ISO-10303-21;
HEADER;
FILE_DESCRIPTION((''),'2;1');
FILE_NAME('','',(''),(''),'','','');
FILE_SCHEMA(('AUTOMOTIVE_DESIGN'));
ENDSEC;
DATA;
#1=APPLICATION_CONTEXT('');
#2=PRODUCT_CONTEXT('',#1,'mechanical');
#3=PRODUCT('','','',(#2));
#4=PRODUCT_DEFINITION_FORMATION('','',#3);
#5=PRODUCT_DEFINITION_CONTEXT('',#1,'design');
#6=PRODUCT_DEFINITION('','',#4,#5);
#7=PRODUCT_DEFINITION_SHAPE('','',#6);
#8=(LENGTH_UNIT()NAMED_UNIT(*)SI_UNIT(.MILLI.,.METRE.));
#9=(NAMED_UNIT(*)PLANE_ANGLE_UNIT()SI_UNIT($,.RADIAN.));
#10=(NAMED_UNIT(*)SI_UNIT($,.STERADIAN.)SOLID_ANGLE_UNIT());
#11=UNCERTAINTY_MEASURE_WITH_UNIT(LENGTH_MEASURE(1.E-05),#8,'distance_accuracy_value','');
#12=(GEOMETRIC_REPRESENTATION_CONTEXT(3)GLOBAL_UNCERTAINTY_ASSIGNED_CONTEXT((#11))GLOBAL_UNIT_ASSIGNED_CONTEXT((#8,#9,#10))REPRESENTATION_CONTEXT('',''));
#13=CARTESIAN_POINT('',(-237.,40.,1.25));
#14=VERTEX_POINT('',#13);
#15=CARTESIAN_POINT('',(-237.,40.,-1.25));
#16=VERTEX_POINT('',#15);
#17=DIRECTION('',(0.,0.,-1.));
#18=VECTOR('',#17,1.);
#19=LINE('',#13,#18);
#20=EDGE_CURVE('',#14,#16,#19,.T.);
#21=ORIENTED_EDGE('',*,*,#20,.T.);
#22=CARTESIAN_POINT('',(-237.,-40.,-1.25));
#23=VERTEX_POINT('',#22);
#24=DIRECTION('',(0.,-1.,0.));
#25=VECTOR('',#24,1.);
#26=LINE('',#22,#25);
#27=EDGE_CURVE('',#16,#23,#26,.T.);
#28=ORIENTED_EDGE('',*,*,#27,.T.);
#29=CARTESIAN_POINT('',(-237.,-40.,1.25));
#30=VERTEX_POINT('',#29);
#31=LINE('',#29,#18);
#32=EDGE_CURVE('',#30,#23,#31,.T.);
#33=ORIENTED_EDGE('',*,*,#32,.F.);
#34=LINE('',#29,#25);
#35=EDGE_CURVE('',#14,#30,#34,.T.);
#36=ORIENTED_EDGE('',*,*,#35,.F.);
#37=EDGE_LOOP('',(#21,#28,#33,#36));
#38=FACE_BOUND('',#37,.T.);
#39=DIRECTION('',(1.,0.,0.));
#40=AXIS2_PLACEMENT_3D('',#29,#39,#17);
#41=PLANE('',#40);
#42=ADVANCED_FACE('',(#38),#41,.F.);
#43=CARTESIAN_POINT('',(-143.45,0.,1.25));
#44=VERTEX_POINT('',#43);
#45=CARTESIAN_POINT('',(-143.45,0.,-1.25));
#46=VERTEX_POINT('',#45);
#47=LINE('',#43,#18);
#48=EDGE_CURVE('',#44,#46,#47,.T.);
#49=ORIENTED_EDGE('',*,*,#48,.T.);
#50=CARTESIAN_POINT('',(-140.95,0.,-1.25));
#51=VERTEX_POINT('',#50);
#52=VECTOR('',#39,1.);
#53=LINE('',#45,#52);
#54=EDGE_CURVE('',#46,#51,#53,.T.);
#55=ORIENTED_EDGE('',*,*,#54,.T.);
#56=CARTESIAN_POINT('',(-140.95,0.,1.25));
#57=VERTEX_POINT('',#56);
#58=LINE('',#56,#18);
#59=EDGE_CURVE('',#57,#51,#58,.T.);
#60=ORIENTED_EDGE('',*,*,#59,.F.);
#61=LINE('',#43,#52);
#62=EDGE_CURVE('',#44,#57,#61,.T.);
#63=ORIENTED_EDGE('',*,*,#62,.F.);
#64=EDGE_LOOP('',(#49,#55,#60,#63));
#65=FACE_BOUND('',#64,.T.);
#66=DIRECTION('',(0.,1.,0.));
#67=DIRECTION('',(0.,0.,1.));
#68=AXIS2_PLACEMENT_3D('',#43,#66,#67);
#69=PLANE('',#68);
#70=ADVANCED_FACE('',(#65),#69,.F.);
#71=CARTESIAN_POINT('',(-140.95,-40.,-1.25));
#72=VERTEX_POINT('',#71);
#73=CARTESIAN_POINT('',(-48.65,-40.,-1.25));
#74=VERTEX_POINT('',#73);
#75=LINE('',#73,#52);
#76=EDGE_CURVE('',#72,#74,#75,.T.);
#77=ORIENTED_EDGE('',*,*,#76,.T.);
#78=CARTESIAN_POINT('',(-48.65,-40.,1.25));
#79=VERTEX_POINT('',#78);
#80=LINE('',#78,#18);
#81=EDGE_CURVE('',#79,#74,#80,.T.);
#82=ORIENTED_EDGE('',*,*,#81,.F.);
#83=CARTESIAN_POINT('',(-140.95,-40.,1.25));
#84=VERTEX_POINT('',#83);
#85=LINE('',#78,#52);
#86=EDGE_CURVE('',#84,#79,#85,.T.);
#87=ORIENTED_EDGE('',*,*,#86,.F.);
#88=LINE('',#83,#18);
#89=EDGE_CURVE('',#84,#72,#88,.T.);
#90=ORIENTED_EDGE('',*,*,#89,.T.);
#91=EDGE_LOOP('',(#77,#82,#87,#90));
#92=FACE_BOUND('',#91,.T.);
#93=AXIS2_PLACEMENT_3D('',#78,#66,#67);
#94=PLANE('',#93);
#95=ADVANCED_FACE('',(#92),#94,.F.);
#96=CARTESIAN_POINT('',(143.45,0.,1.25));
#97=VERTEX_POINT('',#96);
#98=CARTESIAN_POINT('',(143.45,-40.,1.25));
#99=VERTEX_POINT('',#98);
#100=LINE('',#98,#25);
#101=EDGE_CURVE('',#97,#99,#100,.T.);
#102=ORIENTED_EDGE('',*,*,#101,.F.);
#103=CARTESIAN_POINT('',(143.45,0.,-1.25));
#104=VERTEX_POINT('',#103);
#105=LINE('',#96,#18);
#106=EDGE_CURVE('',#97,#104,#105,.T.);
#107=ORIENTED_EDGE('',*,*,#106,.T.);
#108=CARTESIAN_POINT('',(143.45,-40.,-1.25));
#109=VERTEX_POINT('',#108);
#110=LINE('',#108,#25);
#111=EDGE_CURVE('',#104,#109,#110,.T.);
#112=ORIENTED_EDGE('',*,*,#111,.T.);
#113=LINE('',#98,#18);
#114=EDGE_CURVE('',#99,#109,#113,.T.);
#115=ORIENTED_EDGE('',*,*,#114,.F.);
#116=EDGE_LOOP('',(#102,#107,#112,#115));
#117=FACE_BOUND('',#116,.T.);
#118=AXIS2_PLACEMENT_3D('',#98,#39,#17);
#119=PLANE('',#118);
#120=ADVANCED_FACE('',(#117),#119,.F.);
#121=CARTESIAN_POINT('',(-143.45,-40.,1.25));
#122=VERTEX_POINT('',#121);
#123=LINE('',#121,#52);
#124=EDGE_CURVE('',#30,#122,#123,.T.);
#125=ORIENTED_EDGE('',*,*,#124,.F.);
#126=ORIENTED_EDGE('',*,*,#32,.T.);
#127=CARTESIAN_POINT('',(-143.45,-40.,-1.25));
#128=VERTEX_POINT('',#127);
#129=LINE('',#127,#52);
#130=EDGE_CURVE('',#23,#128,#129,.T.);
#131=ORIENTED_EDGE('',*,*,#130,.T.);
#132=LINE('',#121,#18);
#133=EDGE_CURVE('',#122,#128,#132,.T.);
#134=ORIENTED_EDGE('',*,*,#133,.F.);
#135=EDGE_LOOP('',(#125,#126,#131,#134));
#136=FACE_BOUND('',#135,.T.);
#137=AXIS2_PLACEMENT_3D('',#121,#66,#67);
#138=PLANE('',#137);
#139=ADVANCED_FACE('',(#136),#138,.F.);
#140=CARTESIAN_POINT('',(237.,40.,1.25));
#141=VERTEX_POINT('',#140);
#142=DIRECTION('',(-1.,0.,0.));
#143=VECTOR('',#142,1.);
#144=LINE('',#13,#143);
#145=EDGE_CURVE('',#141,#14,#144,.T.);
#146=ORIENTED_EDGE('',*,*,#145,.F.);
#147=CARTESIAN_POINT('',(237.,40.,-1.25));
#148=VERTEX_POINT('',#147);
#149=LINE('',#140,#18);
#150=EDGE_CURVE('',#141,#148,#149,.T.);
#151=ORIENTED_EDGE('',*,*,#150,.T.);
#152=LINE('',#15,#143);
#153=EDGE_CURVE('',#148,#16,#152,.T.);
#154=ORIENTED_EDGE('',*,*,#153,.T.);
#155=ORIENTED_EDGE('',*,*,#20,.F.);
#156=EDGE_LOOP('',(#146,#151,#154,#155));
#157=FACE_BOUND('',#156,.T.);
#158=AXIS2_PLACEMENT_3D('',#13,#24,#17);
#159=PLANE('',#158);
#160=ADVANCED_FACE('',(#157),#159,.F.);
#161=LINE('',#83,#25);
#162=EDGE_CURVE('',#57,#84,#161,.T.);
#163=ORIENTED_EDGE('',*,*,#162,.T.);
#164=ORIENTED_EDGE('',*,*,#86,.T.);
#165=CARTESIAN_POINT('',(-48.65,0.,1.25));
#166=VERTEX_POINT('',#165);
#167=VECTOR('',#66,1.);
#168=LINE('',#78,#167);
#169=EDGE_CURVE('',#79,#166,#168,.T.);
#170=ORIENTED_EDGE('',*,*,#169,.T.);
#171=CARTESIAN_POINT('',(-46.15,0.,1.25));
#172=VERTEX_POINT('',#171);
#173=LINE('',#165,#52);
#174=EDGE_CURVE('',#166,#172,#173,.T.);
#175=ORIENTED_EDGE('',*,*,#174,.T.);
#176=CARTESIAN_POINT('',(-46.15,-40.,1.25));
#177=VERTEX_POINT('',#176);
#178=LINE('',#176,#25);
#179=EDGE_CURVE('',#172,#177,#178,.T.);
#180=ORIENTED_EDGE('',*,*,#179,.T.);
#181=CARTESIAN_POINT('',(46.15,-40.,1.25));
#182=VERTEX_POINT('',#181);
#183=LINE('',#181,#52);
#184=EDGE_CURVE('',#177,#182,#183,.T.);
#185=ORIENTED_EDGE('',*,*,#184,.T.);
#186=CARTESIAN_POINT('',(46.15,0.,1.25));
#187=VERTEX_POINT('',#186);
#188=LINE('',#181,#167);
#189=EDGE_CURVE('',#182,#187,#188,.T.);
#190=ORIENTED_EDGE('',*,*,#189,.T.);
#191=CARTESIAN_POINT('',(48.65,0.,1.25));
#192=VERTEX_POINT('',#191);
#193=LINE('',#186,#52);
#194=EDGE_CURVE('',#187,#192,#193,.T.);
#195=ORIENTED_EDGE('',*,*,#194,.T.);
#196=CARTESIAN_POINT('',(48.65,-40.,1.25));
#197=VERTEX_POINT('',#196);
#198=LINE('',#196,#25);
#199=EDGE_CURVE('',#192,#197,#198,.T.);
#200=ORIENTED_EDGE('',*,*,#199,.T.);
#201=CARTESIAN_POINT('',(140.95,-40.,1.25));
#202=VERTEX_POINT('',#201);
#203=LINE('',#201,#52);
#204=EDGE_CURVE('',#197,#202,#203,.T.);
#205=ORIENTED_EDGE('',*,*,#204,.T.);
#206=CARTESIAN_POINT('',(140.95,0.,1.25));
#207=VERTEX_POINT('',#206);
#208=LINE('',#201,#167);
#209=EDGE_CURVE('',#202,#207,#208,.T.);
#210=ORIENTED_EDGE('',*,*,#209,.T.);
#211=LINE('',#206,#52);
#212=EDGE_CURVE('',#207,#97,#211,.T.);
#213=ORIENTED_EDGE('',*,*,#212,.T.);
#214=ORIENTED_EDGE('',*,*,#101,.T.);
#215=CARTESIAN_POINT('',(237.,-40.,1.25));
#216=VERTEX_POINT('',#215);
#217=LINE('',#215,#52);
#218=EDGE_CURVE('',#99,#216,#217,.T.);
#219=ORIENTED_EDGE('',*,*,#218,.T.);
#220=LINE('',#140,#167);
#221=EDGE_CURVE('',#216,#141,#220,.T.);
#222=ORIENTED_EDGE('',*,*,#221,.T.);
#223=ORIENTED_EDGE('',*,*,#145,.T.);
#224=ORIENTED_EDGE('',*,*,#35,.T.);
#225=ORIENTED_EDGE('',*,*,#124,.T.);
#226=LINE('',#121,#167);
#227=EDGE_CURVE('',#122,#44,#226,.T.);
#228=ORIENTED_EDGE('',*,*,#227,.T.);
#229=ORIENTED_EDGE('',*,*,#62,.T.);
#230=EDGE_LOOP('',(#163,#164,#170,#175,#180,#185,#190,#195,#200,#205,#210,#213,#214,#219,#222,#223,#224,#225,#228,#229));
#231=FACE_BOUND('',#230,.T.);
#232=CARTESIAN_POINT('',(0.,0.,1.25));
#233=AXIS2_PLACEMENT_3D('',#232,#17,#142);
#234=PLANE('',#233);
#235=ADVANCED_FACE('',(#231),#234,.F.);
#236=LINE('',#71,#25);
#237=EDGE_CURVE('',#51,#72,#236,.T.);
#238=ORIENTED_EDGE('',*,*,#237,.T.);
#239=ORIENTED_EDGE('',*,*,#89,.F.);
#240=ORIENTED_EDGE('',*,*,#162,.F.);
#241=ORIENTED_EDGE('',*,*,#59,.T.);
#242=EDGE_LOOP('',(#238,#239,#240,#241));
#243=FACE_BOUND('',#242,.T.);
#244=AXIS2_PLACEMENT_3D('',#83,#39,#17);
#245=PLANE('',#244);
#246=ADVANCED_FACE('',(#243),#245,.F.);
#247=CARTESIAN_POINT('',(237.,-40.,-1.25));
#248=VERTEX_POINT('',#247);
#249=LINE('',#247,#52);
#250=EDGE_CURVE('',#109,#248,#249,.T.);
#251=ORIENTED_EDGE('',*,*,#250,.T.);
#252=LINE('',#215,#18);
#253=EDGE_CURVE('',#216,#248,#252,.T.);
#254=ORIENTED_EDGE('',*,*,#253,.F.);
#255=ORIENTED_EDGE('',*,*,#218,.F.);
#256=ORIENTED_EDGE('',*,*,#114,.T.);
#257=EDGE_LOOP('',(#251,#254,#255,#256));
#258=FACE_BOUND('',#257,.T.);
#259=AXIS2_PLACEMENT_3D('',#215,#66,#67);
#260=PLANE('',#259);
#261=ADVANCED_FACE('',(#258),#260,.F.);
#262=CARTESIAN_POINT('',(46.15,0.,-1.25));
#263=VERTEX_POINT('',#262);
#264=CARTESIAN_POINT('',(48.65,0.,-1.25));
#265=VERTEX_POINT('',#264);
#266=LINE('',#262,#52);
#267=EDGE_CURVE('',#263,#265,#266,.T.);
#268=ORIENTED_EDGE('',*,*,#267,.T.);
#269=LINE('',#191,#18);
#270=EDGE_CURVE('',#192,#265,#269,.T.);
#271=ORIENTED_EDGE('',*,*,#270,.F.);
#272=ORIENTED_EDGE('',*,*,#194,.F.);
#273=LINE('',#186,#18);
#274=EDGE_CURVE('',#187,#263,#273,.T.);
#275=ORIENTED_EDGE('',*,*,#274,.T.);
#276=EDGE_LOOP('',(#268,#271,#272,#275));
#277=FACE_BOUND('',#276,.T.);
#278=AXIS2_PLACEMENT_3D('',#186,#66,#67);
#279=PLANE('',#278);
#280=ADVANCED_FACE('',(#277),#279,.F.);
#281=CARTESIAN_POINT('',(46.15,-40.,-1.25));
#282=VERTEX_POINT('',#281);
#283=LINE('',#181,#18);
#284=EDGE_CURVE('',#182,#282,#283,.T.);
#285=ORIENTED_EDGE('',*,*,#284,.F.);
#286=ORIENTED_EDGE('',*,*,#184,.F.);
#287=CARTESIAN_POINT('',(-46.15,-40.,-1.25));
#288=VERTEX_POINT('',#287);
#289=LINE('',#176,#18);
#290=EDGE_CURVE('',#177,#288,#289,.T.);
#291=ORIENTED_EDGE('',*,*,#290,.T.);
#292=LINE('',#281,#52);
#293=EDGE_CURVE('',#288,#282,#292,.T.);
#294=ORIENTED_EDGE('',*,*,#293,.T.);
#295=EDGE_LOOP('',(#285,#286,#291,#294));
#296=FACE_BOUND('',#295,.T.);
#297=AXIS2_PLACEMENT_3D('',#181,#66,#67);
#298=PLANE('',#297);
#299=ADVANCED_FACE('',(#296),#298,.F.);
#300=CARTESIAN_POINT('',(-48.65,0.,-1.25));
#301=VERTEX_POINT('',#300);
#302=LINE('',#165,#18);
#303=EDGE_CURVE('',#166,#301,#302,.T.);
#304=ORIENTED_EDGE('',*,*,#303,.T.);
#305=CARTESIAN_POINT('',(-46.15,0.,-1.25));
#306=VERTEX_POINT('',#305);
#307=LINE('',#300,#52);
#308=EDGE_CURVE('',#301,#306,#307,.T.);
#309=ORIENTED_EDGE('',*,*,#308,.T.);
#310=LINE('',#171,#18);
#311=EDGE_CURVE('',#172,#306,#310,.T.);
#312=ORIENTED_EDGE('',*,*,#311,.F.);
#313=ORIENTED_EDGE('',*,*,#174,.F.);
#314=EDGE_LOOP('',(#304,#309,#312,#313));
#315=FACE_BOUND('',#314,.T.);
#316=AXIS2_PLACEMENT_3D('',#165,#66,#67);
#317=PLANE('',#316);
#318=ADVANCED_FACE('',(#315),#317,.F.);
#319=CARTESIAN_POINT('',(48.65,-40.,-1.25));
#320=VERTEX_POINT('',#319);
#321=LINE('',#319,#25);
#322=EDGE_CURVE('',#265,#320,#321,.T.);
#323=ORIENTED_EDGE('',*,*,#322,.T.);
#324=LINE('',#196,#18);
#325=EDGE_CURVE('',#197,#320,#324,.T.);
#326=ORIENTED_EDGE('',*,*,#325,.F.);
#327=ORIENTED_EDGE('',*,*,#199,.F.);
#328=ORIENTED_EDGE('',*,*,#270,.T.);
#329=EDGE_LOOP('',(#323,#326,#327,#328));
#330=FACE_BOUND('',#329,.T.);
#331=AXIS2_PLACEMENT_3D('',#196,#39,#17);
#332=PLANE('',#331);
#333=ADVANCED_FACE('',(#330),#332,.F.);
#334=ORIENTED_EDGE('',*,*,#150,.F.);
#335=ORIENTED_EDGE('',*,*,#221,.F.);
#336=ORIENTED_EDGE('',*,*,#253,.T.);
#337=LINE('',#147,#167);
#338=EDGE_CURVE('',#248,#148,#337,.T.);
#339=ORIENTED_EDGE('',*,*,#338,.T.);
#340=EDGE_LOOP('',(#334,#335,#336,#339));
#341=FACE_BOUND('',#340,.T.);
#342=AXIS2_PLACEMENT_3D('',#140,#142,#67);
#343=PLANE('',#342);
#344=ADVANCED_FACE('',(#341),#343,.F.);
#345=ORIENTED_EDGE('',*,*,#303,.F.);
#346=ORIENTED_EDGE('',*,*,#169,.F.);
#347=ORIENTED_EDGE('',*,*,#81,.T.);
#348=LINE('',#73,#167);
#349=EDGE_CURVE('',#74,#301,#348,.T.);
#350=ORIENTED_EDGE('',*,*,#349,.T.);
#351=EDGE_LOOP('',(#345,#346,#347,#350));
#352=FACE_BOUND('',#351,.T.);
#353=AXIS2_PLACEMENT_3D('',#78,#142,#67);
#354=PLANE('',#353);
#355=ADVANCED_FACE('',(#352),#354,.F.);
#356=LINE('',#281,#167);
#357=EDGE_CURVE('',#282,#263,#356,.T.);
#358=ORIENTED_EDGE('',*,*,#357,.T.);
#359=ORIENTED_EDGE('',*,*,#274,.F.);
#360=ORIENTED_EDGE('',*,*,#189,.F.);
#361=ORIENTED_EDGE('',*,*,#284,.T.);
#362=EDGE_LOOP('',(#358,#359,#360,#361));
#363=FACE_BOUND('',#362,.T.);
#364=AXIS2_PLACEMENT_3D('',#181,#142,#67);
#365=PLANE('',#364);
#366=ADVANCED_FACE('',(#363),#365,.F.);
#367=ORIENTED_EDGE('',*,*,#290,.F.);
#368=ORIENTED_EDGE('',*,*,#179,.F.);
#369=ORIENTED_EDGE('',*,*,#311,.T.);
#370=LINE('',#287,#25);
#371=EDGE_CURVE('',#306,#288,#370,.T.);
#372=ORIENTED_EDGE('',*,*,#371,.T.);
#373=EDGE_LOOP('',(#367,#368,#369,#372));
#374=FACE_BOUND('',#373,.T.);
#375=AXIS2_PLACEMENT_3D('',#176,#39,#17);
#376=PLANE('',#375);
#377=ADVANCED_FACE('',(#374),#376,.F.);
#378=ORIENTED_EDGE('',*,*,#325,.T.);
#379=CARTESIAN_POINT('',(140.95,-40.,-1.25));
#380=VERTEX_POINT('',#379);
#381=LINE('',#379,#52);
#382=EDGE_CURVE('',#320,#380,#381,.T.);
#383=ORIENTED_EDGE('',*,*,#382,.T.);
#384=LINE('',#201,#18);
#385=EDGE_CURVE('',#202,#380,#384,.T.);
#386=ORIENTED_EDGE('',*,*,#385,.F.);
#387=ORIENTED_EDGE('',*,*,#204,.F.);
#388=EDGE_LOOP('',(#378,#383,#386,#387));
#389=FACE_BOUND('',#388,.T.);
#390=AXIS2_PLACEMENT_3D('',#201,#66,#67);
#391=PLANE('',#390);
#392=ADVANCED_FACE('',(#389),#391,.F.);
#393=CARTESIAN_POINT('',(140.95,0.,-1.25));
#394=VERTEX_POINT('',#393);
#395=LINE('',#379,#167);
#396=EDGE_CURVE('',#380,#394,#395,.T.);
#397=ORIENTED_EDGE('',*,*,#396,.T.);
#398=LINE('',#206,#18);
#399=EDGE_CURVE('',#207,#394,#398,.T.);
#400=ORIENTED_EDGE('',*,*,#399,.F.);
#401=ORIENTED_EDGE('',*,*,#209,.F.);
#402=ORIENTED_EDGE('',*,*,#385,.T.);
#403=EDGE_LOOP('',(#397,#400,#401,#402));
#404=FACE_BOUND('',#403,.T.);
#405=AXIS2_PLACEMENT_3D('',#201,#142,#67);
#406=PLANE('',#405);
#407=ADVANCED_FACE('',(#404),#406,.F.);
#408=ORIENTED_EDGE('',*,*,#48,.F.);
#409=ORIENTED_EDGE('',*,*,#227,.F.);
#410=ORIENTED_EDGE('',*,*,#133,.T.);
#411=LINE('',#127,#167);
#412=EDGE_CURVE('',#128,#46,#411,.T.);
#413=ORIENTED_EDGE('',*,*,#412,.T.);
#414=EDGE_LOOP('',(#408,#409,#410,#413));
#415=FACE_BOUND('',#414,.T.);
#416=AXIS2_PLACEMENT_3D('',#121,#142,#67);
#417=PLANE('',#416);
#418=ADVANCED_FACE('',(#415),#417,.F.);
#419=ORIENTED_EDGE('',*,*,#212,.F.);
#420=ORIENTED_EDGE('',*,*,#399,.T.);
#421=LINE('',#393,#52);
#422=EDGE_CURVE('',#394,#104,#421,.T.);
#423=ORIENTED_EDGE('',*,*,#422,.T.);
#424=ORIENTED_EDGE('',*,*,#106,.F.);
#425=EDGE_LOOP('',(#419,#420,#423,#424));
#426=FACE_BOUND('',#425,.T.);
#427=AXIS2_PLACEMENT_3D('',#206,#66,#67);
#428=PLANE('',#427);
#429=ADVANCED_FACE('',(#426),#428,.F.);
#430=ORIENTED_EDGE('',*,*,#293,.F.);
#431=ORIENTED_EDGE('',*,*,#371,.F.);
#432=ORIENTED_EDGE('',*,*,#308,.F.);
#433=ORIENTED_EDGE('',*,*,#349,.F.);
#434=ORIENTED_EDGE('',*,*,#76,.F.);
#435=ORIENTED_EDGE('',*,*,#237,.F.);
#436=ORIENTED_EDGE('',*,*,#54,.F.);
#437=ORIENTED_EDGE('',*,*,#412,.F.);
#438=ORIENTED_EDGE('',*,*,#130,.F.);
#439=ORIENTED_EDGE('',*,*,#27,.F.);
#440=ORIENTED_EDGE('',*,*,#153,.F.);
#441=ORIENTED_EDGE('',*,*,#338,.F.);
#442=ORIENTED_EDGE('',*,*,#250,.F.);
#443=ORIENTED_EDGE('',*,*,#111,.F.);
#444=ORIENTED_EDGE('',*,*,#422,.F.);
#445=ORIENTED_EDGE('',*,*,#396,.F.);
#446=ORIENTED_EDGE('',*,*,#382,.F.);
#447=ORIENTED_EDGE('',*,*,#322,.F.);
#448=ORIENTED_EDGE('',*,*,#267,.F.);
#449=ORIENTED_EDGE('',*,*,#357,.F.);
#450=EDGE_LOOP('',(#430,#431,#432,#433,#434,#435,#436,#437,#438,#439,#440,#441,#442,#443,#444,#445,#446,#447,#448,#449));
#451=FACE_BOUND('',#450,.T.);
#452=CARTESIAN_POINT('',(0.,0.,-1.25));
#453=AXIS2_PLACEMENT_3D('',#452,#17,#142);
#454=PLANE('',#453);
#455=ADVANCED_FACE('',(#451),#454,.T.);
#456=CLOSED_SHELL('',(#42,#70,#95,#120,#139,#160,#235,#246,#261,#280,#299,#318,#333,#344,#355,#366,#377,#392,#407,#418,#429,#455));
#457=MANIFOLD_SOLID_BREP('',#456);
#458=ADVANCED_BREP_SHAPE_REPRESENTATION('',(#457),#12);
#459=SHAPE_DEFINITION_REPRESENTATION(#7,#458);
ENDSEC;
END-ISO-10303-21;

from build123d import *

# Parameters (mm, degrees)
BOSS_EXTRUDE1_DEPTH = 1.25


with BuildPart() as part:
    # Sketch1 → Boss-Extrude1 (new, symmetric)
    with BuildSketch(Plane.XY):
        Polygon((-48.65, -40), (-48.65, 0), (-46.15, 0), (-46.15, -40), (46.15, -40), (46.15, 0), (48.65, 0), (48.65, -40), (140.95, -40), (140.95, 0), (143.45, 0), (143.45, -40), (237, -40), (237, 40), (-237, 40), (-237, -40), (-143.45, -40), (-143.45, 0), (-140.95, 0), (-140.95, -40), align=None)
    extrude(amount=BOSS_EXTRUDE1_DEPTH, both=True)


solid = part.part
